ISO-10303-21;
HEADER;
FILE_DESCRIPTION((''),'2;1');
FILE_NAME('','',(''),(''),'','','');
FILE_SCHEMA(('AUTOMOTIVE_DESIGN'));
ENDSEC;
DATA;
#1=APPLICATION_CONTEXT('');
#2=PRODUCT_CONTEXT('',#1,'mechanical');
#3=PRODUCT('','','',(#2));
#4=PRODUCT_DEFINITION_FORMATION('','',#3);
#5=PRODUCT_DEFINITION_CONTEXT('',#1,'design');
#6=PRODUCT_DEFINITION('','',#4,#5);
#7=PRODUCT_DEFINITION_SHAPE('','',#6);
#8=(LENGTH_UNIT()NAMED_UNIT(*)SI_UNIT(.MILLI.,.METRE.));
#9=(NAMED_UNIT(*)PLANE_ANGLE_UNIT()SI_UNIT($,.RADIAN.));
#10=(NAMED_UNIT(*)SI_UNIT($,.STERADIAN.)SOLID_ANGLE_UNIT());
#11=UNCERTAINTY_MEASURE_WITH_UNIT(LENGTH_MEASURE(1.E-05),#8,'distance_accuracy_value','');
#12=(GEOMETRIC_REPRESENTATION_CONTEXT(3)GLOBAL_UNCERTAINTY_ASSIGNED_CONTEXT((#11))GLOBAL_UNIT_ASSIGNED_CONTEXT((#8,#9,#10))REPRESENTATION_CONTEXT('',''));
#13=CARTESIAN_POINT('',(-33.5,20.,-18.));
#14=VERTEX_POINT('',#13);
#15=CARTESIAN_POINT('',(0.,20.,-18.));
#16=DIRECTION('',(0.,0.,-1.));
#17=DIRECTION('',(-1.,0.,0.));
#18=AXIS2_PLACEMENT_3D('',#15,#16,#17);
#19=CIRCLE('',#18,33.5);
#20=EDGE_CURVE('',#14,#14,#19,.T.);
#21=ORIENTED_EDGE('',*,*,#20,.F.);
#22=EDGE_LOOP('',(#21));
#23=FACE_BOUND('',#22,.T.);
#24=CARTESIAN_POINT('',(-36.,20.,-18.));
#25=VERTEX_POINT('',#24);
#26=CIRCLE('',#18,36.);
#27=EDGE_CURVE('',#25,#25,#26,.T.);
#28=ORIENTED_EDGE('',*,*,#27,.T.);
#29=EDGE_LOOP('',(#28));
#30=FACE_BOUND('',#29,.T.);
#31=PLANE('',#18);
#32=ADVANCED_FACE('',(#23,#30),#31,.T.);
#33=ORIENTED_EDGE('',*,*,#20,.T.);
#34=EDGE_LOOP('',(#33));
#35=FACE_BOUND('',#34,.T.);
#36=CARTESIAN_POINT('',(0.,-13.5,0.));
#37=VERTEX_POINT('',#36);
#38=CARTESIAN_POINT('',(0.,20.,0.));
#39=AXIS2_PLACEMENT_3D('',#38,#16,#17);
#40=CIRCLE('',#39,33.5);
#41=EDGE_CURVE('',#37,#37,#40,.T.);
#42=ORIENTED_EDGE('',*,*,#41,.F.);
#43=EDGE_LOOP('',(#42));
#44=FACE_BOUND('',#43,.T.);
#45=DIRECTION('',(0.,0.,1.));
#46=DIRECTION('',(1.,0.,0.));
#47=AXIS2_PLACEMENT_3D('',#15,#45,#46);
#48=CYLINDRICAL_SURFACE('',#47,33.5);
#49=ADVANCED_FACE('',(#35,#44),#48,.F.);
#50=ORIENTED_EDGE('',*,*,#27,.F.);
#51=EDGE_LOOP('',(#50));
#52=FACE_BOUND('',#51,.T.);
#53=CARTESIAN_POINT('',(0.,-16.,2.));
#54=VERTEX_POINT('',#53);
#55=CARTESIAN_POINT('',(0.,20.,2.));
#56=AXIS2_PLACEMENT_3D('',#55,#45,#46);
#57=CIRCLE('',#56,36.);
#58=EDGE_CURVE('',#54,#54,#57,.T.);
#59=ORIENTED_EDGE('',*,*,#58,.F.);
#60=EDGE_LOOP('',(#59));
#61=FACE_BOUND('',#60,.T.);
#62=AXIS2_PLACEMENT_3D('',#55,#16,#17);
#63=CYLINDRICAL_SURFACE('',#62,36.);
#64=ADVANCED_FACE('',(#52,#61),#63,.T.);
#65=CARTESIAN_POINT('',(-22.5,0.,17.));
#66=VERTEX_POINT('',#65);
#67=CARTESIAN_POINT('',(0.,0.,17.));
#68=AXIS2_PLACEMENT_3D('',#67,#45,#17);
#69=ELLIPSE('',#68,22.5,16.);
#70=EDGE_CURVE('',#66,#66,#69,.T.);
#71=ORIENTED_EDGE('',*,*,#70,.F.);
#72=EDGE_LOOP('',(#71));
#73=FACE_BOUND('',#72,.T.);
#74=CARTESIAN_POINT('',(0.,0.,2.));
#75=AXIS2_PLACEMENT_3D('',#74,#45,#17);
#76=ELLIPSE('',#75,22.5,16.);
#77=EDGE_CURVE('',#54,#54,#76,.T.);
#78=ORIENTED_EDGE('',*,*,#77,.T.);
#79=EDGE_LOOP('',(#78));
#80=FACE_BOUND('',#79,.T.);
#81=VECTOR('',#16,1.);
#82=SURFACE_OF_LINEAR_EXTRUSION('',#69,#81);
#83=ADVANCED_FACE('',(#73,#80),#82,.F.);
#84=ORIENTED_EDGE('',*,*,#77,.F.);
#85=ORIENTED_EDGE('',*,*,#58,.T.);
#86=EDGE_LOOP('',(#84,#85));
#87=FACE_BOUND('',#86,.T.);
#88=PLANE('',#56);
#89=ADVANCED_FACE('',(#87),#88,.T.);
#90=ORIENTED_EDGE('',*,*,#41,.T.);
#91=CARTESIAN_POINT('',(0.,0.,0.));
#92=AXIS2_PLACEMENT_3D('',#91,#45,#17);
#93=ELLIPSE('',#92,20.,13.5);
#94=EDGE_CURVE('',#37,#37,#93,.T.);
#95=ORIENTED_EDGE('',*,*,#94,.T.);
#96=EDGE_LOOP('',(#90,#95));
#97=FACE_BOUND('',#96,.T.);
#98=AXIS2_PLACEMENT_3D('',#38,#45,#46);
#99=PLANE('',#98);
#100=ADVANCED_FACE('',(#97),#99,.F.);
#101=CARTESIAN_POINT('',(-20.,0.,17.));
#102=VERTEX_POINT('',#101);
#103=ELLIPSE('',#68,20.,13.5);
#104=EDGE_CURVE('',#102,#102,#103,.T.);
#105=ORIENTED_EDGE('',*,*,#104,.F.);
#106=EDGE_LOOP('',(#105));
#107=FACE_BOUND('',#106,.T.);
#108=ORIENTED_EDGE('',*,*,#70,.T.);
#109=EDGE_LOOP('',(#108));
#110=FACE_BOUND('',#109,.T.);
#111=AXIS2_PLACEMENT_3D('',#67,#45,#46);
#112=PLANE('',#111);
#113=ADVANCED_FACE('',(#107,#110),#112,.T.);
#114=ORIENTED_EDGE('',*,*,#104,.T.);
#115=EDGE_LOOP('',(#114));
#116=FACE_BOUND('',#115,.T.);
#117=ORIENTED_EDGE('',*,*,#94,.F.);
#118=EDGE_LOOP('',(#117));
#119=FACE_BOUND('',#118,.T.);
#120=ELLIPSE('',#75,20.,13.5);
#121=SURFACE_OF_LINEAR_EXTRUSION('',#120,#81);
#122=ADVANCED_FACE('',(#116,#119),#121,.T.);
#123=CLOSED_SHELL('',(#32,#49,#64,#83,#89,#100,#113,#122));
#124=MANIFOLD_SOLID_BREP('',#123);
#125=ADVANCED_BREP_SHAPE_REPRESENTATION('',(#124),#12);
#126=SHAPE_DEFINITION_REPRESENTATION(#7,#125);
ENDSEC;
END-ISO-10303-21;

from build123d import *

# Parameters (mm, degrees)
CROQUIS1_R              = 36
CROQUIS1_RX             = 20
CROQUIS1_RY             = 13.5
SALIENTE_EXTRUIR1_DEPTH = 2
CROQUIS2_RX             = 22.5
CROQUIS2_RY             = 16
CROQUIS2_RX_2           = 20
CROQUIS2_RY_2           = 13.5
SALIENTE_EXTRUIR2_DEPTH = 15
SALIENTE_EXTRUIR3_START = 18
CROQUIS3_R              = 36
CROQUIS3_R_2            = 33.5
SALIENTE_EXTRUIR3_DEPTH = 18


with BuildPart() as part:
    # Croquis1 → Saliente-Extruir1 (new body)
    with BuildSketch(Plane.XY):
        with Locations((0, 20)):
            Circle(CROQUIS1_R)
        with Locations(Location((0, 0), (0, 0, 180))):
            Ellipse(CROQUIS1_RX, CROQUIS1_RY, mode=Mode.SUBTRACT)
    extrude(amount=SALIENTE_EXTRUIR1_DEPTH)

    # Croquis2 → Saliente-Extruir2 (add)
    with BuildSketch(Plane.XY.offset(2)):
        with Locations(Location((0, 0), (0, 0, -180))):
            Ellipse(CROQUIS2_RX, CROQUIS2_RY)
        with Locations(Location((0, 0), (0, 0, 180))):
            Ellipse(CROQUIS2_RX_2, CROQUIS2_RY_2, mode=Mode.SUBTRACT)
    extrude(amount=SALIENTE_EXTRUIR2_DEPTH)

    # Croquis3 → Saliente-Extruir3 (add)
    with BuildSketch(Plane(origin=(0, 0, 0), x_dir=(-1, 0, 0), z_dir=(0, 0, -1)).offset(SALIENTE_EXTRUIR3_START)):
        with Locations((0, 20)):
            Circle(CROQUIS3_R)
        with Locations(Location((0, 20, 0), (0, 0, 270))):
            Circle(CROQUIS3_R_2, mode=Mode.SUBTRACT)
    extrude(amount=-SALIENTE_EXTRUIR3_DEPTH)


solid = part.part
